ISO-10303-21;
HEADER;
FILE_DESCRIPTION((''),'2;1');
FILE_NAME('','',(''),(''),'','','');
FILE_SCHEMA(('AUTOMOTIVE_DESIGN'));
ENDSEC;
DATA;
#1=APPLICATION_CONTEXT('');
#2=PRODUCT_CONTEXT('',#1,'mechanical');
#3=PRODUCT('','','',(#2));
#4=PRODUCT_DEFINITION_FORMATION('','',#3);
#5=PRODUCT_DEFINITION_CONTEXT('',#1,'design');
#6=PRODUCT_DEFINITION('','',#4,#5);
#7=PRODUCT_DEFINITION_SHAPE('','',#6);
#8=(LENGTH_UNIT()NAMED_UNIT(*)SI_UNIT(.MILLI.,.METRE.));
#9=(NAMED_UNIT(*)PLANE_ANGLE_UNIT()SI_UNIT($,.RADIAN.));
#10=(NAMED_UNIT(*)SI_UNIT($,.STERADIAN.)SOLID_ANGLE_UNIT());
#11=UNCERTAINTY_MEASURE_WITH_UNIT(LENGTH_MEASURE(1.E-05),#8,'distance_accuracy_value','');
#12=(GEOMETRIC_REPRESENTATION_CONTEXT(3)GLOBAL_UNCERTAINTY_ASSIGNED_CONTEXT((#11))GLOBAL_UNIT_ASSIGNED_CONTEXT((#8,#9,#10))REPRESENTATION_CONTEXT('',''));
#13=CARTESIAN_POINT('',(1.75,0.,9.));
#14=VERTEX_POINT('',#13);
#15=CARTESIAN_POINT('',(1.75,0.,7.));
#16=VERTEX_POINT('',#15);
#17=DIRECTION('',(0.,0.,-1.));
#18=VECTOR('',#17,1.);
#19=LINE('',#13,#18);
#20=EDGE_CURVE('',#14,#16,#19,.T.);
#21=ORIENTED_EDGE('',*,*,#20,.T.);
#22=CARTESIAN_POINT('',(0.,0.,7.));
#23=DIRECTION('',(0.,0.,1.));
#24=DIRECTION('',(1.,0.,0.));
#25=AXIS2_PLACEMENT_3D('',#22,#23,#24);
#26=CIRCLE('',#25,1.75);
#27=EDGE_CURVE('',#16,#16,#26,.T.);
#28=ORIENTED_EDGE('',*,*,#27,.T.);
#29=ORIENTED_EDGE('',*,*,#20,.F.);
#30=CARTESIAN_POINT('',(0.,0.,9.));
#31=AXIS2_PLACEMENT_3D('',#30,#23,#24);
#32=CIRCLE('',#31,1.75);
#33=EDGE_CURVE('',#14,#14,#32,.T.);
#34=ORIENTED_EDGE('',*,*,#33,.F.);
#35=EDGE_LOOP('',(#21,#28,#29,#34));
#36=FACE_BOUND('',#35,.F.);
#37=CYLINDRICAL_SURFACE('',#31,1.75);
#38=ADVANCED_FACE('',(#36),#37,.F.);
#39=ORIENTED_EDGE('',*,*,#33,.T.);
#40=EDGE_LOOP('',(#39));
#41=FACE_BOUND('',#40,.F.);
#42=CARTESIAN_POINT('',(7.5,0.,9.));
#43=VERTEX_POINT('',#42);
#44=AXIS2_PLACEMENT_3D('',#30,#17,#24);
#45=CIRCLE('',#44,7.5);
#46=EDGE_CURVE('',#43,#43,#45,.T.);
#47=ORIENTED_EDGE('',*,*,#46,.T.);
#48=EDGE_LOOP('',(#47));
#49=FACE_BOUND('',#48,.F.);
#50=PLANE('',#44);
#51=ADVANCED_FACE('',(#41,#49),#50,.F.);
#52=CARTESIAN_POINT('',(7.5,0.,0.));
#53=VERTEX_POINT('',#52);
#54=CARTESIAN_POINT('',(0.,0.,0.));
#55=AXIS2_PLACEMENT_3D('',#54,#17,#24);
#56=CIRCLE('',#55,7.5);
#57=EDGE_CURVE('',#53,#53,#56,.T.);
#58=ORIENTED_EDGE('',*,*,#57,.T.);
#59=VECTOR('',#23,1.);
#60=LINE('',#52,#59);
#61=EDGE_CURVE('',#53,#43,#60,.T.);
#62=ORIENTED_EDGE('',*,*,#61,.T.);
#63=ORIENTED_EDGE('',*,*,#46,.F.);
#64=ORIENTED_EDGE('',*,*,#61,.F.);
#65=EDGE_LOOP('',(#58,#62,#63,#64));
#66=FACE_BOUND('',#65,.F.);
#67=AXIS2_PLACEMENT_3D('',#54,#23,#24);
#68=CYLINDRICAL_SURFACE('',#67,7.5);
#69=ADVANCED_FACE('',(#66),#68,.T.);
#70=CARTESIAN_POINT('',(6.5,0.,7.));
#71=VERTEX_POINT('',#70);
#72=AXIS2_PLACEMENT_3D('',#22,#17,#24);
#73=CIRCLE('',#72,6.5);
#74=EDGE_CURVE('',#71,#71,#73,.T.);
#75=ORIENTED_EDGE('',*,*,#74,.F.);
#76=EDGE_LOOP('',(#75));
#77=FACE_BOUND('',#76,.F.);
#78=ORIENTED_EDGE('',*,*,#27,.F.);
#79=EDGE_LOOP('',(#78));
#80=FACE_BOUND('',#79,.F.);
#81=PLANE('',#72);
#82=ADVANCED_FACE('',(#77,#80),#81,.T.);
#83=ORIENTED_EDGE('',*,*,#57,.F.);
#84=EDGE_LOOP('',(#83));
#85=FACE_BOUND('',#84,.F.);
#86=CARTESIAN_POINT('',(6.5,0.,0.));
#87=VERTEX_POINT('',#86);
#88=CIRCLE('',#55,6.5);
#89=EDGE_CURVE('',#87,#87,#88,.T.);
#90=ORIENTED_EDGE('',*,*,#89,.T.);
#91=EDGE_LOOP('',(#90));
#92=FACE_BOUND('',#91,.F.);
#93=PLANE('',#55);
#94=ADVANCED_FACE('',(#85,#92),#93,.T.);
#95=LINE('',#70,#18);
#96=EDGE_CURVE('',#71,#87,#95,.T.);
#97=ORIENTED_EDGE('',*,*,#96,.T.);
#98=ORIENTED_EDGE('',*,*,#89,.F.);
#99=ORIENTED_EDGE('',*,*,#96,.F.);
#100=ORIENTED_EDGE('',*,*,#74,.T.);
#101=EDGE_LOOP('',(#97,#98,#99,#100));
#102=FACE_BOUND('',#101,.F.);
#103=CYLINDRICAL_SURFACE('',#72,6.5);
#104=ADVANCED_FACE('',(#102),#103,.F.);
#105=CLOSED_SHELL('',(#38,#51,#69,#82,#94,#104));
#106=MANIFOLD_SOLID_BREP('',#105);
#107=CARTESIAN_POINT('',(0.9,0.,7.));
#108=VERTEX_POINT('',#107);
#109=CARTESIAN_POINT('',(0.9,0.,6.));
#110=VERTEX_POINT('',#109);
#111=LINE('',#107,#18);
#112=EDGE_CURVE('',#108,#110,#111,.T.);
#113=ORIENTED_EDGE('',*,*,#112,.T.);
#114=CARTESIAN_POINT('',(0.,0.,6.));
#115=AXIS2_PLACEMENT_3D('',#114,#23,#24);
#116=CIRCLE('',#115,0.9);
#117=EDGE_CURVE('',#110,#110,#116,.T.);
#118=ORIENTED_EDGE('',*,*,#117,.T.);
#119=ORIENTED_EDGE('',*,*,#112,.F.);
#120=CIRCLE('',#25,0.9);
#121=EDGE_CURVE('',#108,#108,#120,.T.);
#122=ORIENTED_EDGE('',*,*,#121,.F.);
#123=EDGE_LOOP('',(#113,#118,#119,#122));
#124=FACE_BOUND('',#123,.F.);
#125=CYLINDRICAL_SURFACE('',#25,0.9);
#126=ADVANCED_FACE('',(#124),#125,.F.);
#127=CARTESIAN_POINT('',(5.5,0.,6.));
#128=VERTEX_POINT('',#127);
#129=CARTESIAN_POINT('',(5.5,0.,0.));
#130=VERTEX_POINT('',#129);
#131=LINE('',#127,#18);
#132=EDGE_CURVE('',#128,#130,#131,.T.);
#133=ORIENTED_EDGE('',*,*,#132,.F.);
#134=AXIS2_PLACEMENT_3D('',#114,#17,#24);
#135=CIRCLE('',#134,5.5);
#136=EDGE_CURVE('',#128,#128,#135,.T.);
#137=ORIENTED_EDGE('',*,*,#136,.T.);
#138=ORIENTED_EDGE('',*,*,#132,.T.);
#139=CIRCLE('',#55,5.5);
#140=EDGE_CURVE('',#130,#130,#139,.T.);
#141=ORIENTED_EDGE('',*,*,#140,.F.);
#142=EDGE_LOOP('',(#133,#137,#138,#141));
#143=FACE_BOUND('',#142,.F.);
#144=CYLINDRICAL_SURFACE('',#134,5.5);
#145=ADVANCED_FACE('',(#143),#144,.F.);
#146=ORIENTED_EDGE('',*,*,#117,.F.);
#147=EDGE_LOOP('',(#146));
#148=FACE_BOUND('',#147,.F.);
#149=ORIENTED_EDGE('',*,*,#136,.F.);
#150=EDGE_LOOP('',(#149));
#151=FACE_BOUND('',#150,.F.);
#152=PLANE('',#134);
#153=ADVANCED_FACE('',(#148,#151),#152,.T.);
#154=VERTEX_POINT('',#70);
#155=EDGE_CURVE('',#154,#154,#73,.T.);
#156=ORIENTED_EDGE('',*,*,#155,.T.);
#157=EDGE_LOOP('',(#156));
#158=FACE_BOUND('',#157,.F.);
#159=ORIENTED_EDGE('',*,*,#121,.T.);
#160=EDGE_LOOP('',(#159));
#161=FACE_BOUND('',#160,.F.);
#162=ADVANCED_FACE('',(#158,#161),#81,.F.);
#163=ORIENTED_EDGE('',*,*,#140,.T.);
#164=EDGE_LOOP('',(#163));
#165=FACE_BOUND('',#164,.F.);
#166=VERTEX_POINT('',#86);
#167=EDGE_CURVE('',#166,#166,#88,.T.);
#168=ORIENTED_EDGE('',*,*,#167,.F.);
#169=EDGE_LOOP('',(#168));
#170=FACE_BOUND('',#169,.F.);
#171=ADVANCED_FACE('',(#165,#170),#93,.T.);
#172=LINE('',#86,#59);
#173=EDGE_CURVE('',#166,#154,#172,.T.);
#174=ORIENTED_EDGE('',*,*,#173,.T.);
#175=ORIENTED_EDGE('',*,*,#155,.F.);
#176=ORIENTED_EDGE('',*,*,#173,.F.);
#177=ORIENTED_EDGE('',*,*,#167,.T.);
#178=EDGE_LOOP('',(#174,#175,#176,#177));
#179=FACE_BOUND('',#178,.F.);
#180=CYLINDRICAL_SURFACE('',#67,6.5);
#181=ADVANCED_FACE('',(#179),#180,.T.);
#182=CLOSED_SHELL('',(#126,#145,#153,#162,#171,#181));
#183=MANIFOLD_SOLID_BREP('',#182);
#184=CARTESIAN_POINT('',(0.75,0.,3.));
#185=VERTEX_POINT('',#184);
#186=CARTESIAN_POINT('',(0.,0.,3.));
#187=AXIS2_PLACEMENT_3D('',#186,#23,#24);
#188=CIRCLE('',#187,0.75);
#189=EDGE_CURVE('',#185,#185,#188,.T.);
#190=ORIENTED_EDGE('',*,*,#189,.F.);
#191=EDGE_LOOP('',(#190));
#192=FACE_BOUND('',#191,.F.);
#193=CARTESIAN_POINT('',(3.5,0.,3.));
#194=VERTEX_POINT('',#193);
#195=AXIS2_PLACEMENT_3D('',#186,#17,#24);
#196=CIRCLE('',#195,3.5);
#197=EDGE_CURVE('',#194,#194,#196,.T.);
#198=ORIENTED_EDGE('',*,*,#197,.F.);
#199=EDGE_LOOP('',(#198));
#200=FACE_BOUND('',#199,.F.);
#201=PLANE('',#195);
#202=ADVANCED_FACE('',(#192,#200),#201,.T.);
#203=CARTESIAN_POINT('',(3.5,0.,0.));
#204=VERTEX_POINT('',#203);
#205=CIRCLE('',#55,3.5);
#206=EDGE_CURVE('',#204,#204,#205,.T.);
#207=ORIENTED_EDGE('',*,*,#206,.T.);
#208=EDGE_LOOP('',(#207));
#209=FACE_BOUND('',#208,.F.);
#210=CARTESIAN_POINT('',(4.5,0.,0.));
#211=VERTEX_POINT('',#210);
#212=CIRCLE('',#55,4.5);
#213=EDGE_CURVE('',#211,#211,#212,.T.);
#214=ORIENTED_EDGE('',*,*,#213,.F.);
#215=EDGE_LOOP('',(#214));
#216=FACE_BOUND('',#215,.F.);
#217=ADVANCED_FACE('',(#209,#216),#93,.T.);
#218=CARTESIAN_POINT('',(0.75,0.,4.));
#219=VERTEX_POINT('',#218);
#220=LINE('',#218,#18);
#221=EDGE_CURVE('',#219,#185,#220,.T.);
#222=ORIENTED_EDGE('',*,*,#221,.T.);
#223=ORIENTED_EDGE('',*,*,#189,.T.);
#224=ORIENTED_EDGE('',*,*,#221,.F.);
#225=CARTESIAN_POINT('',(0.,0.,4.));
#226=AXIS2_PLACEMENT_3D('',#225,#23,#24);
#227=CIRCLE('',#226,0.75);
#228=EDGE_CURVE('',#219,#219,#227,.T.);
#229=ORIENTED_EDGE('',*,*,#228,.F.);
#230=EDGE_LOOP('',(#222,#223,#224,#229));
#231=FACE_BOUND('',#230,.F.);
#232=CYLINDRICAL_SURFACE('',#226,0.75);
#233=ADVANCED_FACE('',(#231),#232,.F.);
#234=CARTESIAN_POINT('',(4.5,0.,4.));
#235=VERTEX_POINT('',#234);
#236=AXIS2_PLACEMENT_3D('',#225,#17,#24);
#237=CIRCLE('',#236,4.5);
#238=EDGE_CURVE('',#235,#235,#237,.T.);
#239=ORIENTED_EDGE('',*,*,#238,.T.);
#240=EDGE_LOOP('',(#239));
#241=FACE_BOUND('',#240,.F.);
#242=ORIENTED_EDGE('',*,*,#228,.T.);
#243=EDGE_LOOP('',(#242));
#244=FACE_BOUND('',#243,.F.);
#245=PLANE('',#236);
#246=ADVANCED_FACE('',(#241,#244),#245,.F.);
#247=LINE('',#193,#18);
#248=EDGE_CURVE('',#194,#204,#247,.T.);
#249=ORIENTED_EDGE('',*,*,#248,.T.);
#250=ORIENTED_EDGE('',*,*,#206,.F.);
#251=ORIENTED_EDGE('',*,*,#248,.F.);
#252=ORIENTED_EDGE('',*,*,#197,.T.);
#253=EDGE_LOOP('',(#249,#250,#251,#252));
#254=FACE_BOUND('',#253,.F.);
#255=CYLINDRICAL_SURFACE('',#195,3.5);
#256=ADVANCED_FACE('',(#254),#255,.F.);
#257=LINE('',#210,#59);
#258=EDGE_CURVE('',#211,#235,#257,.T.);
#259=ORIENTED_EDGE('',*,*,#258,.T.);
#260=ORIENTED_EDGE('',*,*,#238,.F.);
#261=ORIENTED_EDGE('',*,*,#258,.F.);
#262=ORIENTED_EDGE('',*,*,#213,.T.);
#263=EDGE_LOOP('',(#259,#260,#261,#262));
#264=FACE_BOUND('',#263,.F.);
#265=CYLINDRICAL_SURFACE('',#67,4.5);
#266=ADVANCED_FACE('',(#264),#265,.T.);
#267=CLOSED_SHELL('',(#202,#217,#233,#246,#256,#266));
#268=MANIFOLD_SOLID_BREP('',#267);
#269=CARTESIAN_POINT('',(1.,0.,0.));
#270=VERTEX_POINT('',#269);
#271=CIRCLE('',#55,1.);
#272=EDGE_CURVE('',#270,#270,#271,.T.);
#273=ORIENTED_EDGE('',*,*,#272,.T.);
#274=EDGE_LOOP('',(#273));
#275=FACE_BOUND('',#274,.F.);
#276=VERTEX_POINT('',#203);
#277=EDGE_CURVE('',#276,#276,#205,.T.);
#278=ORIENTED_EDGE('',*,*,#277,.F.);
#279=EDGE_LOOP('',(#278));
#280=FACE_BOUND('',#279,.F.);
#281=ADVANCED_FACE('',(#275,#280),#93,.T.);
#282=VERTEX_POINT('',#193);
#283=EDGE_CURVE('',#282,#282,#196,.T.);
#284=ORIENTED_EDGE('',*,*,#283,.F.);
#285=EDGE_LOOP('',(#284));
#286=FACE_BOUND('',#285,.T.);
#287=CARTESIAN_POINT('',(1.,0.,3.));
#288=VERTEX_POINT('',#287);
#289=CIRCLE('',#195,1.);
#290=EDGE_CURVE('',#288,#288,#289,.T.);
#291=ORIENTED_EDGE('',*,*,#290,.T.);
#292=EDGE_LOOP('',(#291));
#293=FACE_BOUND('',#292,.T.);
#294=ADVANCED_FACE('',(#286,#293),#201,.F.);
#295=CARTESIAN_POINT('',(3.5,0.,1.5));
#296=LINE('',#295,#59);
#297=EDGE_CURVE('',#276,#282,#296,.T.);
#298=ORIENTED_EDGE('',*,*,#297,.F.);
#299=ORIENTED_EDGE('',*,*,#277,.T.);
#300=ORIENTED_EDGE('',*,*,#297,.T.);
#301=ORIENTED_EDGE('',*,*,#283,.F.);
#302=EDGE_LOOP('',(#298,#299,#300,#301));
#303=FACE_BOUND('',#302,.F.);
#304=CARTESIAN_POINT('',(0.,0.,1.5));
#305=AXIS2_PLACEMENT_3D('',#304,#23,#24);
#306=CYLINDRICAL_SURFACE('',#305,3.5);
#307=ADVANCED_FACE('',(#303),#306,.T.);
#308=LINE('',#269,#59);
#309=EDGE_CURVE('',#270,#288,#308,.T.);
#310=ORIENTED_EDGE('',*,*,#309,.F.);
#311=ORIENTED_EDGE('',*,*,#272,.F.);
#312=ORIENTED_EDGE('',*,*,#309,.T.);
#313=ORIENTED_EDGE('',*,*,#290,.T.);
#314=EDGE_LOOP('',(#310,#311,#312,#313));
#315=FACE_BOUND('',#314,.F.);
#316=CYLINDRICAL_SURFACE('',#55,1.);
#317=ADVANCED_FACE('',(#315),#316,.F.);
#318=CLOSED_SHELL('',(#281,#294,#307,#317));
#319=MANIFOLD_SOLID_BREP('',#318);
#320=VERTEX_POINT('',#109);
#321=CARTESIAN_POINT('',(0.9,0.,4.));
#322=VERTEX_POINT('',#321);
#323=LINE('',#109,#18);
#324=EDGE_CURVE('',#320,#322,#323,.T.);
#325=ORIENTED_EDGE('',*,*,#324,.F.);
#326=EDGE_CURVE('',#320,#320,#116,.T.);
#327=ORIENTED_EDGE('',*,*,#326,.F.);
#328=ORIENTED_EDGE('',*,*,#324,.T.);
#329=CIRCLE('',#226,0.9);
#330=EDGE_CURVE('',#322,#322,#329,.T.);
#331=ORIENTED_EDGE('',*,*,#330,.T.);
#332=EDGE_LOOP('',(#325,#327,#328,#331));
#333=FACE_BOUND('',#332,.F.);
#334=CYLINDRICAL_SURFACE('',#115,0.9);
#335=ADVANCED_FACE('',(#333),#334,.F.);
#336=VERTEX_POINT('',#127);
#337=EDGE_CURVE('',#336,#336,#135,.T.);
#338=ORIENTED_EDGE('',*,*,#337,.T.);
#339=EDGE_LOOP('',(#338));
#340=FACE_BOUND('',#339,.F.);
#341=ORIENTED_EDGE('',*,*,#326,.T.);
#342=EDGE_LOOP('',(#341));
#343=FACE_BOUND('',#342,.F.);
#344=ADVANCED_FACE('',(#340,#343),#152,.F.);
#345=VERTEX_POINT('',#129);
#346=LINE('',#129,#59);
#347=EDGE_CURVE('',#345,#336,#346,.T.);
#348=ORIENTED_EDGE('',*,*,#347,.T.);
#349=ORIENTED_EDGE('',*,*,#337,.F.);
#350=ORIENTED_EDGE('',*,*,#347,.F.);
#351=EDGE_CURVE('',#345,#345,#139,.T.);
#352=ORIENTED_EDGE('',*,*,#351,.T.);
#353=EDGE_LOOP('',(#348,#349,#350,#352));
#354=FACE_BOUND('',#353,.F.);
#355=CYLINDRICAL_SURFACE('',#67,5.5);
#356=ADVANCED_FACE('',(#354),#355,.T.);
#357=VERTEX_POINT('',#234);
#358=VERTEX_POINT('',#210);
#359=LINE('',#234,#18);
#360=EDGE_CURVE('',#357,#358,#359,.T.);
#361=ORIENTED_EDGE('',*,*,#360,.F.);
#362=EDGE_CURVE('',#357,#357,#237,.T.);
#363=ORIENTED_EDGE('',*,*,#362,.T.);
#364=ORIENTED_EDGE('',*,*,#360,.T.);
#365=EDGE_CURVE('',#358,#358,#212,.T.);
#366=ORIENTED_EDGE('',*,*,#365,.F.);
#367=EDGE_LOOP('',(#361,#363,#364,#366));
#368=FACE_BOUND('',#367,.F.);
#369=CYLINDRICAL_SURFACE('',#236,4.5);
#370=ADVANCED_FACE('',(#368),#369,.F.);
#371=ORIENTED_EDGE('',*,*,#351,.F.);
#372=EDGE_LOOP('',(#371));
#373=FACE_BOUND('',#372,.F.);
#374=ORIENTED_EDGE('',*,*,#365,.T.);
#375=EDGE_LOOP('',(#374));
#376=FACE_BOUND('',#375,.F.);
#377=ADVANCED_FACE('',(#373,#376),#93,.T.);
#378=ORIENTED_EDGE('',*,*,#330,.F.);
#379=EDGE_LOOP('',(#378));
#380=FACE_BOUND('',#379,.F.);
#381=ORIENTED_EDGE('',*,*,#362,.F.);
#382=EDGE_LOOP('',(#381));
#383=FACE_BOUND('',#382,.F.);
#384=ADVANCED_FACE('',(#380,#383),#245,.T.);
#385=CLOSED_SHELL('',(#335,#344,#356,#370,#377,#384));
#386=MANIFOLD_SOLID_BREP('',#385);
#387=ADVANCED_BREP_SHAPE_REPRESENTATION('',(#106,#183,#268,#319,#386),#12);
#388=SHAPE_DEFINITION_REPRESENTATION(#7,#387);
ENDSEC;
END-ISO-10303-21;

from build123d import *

# Parameters (mm, degrees)
F0_W      = 3.5
F0_H      = 3
F2_R      = 1
F3_DEPTH  = 3
F5_R      = 0.75
F6_DEPTH  = 1
F8_R      = 0.9
F9_DEPTH  = 2
F11_R     = 0.9
F12_DEPTH = 1
F14_R     = 1.75
F15_DEPTH = 2


with BuildPart() as f1:
    # F0 (on Front) → F1 (revolve)
    with BuildSketch(Plane.XZ):
        with Locations((1.75, 1.5)):
            Rectangle(F0_W, F0_H)
    revolve(axis=Axis((0, 0, 1.5), (0, 0, -1)))

    # F2 (on face) → F3 (cut, through all)
    with BuildSketch(Plane(origin=(0, 0, 0), x_dir=(1, 0, 0), z_dir=(0, 0, -1))):
        Circle(F2_R)
    extrude(amount=-F3_DEPTH, mode=Mode.SUBTRACT)


with BuildPart() as f4:
    # F0 (on Front) → F4 (revolve)
    with BuildSketch(Plane.XZ):
        Polygon((3.5, 3), (3.5, 0), (4.5, 0), (4.5, 4), (0, 4), (0, 3), align=None)
    revolve(axis=Axis((0, 0, 2.75), (0, 0, -1)))

    # F5 (on face) → F6 (cut, through all)
    with BuildSketch(Plane.XY.offset(4)):
        Circle(F5_R)
    extrude(amount=-F6_DEPTH, mode=Mode.SUBTRACT)


with BuildPart() as f7:
    # F0 (on Front) → F7 (revolve)
    with BuildSketch(Plane.XZ):
        Polygon((4.5, 4), (4.5, 0), (5.5, 0), (5.5, 6), (0, 6), (0, 5.5), (0, 4), align=None)
    revolve(axis=Axis((0, 0, 4.5), (0, 0, -1)))

    # F8 (on face) → F9 (cut, through all)
    with BuildSketch(Plane.XY.offset(6)):
        Circle(F8_R)
    extrude(amount=-F9_DEPTH, mode=Mode.SUBTRACT)


with BuildPart() as f10:
    # F0 (on Front) → F10 (revolve)
    with BuildSketch(Plane.XZ):
        Polygon((5.5, 6), (5.5, 0), (6.5, 0), (6.5, 7), (0, 7), (0, 6), align=None)
    revolve(axis=Axis((0, 0, 2.75), (0, 0, -1)))

    # F11 (on face) → F12 (cut, through all)
    with BuildSketch(Plane.XY.offset(7)):
        Circle(F11_R)
    extrude(amount=-F12_DEPTH, mode=Mode.SUBTRACT)


with BuildPart() as f13:
    # F0 (on Front) → F13 (revolve)
    with BuildSketch(Plane.XZ):
        Polygon((6.5, 7), (6.5, 0), (7.5, 0), (7.5, 9), (0, 9), (0, 7), align=None)
    revolve(axis=Axis((0, 0, 2.75), (0, 0, -1)))

    # F14 (on face) → F15 (cut, through all)
    with BuildSketch(Plane.XY.offset(9)):
        Circle(F14_R)
    extrude(amount=-F15_DEPTH, mode=Mode.SUBTRACT)


solid = Compound([f1.part, f4.part, f7.part, f10.part, f13.part])
